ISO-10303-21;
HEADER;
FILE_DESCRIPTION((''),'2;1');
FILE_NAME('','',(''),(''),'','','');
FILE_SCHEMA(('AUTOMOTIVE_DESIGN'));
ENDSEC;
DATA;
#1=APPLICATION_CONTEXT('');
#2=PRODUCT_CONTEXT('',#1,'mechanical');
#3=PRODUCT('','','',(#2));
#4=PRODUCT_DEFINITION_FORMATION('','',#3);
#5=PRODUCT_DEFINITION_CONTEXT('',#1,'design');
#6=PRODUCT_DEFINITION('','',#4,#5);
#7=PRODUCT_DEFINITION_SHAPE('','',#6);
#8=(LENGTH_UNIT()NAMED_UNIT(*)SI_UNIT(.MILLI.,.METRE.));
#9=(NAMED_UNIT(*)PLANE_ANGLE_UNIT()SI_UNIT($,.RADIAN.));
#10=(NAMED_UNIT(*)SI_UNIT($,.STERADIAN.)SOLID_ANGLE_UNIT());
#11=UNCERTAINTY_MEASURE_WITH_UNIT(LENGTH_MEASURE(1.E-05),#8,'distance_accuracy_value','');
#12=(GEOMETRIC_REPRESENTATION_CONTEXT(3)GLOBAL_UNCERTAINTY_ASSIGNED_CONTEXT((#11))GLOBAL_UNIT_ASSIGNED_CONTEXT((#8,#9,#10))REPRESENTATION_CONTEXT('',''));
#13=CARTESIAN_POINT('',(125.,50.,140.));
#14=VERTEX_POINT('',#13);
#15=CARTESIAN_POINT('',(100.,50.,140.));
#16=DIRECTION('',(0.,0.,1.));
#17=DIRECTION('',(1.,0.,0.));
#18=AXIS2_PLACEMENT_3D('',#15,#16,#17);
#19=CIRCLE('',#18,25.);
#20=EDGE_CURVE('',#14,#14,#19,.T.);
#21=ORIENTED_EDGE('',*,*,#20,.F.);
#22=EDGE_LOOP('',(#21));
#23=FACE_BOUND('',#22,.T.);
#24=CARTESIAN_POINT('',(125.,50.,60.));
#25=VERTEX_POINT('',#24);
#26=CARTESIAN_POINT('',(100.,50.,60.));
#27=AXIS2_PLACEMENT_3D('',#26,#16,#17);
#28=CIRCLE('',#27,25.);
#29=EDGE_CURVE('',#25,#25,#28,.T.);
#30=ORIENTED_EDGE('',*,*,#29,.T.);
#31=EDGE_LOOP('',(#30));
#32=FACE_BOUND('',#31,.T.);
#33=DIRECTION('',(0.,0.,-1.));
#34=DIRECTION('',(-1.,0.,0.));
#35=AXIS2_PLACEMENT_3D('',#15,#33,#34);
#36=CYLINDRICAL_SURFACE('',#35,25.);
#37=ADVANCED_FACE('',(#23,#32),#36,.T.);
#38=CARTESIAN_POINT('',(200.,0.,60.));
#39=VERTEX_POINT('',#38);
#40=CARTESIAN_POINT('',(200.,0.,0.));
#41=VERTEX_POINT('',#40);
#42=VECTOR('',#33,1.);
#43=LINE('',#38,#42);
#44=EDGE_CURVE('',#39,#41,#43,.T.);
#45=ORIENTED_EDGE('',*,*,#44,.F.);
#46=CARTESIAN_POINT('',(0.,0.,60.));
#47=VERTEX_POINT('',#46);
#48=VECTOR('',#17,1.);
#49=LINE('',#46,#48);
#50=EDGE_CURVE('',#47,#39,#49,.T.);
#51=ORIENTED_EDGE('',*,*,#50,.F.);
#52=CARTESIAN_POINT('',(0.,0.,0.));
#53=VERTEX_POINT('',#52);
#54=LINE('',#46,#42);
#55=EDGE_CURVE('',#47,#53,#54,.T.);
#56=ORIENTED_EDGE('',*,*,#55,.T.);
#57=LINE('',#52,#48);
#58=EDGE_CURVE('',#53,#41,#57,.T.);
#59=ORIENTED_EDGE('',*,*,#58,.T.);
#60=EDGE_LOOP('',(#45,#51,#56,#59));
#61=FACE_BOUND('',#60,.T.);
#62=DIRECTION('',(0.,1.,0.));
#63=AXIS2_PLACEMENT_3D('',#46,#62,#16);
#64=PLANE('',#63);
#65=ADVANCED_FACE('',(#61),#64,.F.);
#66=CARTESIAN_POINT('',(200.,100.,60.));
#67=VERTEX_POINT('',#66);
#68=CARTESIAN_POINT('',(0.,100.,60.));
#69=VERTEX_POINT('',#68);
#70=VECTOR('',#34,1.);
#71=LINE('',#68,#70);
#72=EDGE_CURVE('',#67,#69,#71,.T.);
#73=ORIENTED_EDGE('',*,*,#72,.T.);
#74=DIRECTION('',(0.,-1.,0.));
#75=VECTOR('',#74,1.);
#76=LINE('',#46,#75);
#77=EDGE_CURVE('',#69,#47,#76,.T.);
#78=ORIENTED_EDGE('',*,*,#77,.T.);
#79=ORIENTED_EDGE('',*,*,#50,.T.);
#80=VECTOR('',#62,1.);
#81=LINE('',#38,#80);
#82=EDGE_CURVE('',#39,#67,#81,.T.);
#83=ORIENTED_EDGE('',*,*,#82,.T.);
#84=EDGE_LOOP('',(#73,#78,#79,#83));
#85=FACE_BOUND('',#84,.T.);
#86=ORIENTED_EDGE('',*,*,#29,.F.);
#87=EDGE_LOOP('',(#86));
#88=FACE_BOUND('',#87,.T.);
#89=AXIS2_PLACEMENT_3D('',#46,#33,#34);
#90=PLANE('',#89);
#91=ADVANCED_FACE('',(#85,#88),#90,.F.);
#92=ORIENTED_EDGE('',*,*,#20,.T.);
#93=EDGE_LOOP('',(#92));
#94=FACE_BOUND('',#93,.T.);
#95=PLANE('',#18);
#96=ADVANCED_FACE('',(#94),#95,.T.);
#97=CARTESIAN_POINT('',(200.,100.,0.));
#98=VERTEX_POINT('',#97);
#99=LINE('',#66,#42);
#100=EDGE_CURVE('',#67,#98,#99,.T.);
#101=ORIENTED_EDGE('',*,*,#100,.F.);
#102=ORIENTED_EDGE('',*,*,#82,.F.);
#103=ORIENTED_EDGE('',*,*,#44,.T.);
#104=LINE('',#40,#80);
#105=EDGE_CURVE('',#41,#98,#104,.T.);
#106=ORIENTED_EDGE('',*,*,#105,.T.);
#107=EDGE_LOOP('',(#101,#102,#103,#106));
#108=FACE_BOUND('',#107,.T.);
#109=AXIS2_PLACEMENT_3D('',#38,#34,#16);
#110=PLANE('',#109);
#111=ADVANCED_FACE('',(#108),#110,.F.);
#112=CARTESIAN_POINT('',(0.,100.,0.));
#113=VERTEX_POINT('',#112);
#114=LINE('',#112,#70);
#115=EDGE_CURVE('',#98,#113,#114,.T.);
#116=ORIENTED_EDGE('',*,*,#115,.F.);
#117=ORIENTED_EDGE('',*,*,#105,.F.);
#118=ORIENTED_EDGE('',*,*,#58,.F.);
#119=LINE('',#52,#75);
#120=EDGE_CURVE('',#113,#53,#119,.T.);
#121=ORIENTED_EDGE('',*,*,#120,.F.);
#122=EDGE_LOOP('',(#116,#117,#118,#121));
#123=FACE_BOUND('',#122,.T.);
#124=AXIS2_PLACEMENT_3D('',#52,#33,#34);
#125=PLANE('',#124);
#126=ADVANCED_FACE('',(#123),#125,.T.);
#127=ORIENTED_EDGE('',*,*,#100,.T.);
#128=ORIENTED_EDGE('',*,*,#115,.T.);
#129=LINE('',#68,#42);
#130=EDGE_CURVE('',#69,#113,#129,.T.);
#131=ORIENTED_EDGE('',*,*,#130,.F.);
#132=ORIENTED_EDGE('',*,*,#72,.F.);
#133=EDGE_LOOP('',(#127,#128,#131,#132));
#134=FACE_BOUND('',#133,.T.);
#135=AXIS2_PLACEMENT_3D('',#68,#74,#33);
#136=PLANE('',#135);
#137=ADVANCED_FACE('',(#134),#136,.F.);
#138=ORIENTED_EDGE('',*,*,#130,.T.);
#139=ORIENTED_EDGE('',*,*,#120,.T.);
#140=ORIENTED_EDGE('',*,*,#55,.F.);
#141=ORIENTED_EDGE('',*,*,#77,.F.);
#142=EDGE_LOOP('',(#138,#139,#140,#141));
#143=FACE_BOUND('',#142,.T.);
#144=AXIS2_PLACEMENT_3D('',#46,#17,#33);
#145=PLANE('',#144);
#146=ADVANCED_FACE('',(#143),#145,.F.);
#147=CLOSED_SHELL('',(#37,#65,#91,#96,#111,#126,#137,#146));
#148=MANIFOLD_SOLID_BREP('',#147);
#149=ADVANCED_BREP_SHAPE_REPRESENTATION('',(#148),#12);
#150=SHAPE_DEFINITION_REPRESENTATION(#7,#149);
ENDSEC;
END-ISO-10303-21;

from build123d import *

# Parameters (mm, degrees)
SKETCH1_W           = 200
SKETCH1_H           = 100
BOSS_EXTRUDE1_DEPTH = 60
SKETCH2_R           = 25
BOSS_EXTRUDE2_DEPTH = 80


with BuildPart() as part:
    # Sketch1 → Boss-Extrude1 (new body)
    with BuildSketch(Plane.XY):
        with Locations((100, 50)):
            Rectangle(SKETCH1_W, SKETCH1_H)
    extrude(amount=BOSS_EXTRUDE1_DEPTH)

    # Sketch2 → Boss-Extrude2 (add)
    with BuildSketch(Plane.XY.offset(60)):
        with Locations((100, 50)):
            Circle(SKETCH2_R)
    extrude(amount=BOSS_EXTRUDE2_DEPTH)


solid = part.part
